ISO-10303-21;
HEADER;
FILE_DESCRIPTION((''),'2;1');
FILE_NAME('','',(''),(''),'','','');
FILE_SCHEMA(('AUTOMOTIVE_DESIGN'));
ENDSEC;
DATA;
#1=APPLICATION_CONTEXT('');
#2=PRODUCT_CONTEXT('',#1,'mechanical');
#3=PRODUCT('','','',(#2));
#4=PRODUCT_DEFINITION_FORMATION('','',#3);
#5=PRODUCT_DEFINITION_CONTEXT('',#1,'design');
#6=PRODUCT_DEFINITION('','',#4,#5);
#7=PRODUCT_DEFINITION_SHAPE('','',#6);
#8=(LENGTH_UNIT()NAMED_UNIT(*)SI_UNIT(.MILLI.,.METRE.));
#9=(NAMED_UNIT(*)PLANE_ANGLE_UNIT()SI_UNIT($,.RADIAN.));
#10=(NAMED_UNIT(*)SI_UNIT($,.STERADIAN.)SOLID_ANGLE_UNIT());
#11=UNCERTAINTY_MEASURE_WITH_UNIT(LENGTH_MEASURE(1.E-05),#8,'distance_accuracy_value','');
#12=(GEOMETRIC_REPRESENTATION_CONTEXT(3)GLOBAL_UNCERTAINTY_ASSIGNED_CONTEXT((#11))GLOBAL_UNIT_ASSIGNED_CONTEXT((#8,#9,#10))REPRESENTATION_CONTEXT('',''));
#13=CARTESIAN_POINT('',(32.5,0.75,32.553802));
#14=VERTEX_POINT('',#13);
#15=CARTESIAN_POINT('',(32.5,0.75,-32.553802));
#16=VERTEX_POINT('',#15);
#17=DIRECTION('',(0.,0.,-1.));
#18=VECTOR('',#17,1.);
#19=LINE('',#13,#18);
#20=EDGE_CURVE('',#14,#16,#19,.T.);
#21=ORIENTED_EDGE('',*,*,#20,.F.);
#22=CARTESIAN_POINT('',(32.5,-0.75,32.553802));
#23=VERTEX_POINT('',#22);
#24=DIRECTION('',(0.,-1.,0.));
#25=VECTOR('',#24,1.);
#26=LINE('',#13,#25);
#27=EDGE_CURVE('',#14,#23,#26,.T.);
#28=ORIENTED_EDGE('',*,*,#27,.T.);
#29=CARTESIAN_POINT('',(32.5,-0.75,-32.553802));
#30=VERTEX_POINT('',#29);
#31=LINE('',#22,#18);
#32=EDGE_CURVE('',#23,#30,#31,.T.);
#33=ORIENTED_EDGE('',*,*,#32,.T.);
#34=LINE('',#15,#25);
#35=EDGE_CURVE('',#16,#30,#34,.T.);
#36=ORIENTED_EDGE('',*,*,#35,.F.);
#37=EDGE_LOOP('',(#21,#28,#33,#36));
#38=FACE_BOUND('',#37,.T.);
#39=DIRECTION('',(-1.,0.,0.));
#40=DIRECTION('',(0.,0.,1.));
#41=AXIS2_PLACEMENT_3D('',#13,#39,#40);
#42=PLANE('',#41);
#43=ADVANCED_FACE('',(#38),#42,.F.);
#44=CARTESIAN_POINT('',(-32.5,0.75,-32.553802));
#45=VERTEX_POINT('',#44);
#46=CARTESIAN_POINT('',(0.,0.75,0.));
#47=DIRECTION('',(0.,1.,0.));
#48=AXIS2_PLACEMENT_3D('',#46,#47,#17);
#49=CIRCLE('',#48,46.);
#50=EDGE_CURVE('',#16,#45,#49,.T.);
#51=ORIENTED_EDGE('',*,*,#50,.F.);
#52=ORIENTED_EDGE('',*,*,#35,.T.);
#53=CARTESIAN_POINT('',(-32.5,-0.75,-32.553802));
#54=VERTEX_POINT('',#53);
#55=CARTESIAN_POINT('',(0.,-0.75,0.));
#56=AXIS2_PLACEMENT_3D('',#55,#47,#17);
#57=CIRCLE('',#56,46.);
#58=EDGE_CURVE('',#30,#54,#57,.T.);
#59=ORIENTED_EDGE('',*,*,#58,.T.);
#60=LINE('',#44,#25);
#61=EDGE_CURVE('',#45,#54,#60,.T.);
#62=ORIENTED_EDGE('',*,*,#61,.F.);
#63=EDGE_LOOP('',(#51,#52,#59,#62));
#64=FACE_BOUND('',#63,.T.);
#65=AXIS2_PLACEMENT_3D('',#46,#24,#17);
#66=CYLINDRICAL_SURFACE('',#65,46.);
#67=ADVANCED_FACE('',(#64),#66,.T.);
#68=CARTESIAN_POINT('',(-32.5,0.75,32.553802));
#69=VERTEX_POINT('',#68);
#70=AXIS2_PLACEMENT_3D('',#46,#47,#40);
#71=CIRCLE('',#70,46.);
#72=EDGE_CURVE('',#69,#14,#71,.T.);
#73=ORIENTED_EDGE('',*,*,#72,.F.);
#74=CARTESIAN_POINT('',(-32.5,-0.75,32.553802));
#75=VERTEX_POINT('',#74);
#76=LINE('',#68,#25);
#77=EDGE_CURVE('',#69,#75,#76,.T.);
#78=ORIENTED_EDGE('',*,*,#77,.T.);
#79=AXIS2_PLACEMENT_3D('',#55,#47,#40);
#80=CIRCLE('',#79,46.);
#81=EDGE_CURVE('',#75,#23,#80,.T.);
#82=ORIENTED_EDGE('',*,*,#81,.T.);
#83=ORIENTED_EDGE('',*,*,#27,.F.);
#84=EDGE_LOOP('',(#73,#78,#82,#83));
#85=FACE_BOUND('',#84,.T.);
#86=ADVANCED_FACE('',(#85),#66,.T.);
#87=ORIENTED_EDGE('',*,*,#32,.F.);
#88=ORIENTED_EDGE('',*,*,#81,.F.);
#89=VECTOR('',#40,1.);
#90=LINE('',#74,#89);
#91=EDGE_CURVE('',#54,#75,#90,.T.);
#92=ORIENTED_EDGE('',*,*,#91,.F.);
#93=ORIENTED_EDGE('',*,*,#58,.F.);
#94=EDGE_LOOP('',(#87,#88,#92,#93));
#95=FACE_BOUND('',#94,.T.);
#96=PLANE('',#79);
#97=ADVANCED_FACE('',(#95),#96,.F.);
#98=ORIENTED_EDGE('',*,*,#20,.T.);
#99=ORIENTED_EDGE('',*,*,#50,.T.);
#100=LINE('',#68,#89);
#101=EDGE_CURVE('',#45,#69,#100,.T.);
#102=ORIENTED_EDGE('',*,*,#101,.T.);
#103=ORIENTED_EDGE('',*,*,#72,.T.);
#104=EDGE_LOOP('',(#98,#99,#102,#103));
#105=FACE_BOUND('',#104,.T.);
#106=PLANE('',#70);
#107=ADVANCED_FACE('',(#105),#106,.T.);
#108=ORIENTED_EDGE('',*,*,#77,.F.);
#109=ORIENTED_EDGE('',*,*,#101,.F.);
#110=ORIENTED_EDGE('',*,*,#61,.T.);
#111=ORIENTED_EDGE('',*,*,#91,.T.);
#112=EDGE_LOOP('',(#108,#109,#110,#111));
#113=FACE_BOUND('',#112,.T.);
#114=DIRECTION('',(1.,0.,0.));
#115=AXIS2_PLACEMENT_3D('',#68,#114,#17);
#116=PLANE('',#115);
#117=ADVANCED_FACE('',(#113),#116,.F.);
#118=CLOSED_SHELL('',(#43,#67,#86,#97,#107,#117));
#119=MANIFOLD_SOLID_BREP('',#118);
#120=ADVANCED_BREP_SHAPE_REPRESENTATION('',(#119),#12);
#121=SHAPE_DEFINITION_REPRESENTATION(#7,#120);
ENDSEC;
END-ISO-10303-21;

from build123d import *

# Parameters (mm, degrees)
EXTRUDE_1_DEPTH = 0.75


with BuildPart() as part:
    # Эскиз1 → Бобышка-Вытянуть1 (new, symmetric)
    with BuildSketch(Plane(origin=(0, 0, 0), x_dir=(1, 0, 0), z_dir=(0, 1, 0))):
        with BuildLine():
            Line((32.5, -32.553801621), (32.5, 32.553801621))
            ThreePointArc((32.5, 32.553801621), (0, 46), (-32.5, 32.553801621))
            Line((-32.5, 32.553801621), (-32.5, -32.553801621))
            ThreePointArc((-32.5, -32.553801621), (0, -46), (32.5, -32.553801621))
        make_face()
    extrude(amount=EXTRUDE_1_DEPTH, both=True)


solid = part.part
